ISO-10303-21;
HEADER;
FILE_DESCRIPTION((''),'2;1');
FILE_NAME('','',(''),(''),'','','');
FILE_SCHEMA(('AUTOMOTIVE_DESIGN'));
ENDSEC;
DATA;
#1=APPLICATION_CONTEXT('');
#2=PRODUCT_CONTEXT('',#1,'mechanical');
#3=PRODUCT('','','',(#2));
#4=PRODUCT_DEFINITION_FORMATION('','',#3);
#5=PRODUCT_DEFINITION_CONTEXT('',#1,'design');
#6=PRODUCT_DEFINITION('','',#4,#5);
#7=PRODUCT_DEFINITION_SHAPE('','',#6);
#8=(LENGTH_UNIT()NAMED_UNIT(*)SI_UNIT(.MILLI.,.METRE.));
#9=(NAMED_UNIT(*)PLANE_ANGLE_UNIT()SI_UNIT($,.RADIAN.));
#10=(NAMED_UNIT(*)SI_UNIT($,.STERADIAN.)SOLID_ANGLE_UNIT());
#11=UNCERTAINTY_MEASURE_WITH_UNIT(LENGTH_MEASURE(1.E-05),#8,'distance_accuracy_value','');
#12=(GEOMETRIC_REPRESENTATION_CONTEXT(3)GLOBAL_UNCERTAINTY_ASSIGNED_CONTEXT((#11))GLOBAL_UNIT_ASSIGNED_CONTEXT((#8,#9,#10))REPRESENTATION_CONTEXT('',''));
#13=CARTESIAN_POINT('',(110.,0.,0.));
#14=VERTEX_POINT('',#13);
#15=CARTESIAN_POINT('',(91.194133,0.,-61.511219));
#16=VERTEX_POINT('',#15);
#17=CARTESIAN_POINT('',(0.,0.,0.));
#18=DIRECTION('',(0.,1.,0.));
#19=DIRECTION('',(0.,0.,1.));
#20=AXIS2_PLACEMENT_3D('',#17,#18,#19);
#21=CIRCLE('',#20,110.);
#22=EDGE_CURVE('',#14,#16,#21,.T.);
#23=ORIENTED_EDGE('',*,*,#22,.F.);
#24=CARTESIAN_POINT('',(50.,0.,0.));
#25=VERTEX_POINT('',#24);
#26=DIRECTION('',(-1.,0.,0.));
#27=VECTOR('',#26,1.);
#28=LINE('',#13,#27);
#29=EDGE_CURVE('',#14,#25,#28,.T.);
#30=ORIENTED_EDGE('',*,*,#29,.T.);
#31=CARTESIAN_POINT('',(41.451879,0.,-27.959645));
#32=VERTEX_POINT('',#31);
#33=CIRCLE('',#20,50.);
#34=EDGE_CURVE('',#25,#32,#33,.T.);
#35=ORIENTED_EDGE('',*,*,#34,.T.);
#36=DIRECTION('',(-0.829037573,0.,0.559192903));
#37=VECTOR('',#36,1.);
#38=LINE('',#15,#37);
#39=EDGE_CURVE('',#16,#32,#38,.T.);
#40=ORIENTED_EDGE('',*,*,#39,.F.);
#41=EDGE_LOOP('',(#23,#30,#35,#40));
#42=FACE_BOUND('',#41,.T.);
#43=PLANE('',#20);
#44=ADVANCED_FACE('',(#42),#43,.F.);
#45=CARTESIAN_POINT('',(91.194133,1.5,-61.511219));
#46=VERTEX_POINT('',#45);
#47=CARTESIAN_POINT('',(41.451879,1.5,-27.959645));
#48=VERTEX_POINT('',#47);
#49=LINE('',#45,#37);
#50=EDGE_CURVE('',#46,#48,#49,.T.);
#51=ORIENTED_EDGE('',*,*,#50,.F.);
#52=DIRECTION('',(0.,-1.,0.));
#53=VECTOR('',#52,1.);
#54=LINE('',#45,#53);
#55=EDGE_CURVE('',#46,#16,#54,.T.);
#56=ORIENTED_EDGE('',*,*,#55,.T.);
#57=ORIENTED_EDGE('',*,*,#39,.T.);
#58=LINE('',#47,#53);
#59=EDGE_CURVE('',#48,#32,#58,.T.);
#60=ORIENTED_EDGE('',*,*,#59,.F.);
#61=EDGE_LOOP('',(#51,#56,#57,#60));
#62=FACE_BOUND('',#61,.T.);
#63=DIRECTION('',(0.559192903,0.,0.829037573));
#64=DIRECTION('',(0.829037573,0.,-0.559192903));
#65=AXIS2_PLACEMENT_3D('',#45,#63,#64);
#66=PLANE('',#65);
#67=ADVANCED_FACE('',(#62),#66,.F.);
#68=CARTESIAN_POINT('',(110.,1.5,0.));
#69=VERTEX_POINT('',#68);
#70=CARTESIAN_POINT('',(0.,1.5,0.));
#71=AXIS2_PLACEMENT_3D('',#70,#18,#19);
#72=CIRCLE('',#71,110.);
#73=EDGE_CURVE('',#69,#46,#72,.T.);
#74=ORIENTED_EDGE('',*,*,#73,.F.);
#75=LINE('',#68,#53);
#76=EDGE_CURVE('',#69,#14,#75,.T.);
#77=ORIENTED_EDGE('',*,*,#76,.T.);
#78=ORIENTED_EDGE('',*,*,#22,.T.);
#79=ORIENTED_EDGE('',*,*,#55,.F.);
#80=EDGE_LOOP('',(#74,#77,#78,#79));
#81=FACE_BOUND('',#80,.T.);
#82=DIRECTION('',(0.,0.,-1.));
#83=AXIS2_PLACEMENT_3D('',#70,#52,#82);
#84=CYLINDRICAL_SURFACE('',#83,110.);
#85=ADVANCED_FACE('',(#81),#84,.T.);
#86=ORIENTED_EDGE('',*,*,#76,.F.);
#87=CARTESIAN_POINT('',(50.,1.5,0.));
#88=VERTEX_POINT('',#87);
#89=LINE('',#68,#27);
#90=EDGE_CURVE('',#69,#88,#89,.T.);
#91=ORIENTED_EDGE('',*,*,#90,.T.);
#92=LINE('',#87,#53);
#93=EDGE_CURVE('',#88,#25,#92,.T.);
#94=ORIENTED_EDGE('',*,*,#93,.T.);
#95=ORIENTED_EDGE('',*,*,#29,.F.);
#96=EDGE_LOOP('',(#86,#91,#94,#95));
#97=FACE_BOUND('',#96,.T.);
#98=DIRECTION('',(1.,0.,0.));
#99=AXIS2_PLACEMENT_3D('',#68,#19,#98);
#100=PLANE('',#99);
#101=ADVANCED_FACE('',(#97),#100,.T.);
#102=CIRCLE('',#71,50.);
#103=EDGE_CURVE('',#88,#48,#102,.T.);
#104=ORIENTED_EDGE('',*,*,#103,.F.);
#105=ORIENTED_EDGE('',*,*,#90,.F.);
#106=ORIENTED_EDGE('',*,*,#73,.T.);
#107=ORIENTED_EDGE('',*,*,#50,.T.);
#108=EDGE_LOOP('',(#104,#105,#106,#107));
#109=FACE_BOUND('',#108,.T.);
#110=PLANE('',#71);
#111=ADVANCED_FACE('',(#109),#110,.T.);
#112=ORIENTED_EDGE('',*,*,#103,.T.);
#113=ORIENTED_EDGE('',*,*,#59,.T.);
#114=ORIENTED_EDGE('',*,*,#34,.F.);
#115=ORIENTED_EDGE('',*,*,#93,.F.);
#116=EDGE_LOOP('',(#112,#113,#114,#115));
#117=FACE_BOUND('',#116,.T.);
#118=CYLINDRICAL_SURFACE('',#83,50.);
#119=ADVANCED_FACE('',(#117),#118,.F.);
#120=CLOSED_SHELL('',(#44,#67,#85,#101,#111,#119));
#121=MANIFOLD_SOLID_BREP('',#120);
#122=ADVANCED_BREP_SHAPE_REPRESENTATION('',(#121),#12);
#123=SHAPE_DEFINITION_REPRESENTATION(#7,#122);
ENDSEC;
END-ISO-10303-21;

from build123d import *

# Parameters (mm, degrees)
EXTRUDE_1_DEPTH = 1.5


with BuildPart() as part:
    # 草图1 → 凸台-拉伸1 (new body)
    with BuildSketch(Plane(origin=(0, 0, 0), x_dir=(1, 0, 0), z_dir=(0, 1, 0))):
        with BuildLine():
            Line((91.194132981, 61.511219382), (41.451878628, 27.959645174))
            ThreePointArc((41.451878628, 27.959645174), (47.815237798, 14.618585236), (50, 0))
            Line((50, 0), (110, 0))
            ThreePointArc((110, 0), (105.193523156, 32.16088752), (91.194132981, 61.511219382))
        make_face()
    extrude(amount=EXTRUDE_1_DEPTH)


solid = part.part
